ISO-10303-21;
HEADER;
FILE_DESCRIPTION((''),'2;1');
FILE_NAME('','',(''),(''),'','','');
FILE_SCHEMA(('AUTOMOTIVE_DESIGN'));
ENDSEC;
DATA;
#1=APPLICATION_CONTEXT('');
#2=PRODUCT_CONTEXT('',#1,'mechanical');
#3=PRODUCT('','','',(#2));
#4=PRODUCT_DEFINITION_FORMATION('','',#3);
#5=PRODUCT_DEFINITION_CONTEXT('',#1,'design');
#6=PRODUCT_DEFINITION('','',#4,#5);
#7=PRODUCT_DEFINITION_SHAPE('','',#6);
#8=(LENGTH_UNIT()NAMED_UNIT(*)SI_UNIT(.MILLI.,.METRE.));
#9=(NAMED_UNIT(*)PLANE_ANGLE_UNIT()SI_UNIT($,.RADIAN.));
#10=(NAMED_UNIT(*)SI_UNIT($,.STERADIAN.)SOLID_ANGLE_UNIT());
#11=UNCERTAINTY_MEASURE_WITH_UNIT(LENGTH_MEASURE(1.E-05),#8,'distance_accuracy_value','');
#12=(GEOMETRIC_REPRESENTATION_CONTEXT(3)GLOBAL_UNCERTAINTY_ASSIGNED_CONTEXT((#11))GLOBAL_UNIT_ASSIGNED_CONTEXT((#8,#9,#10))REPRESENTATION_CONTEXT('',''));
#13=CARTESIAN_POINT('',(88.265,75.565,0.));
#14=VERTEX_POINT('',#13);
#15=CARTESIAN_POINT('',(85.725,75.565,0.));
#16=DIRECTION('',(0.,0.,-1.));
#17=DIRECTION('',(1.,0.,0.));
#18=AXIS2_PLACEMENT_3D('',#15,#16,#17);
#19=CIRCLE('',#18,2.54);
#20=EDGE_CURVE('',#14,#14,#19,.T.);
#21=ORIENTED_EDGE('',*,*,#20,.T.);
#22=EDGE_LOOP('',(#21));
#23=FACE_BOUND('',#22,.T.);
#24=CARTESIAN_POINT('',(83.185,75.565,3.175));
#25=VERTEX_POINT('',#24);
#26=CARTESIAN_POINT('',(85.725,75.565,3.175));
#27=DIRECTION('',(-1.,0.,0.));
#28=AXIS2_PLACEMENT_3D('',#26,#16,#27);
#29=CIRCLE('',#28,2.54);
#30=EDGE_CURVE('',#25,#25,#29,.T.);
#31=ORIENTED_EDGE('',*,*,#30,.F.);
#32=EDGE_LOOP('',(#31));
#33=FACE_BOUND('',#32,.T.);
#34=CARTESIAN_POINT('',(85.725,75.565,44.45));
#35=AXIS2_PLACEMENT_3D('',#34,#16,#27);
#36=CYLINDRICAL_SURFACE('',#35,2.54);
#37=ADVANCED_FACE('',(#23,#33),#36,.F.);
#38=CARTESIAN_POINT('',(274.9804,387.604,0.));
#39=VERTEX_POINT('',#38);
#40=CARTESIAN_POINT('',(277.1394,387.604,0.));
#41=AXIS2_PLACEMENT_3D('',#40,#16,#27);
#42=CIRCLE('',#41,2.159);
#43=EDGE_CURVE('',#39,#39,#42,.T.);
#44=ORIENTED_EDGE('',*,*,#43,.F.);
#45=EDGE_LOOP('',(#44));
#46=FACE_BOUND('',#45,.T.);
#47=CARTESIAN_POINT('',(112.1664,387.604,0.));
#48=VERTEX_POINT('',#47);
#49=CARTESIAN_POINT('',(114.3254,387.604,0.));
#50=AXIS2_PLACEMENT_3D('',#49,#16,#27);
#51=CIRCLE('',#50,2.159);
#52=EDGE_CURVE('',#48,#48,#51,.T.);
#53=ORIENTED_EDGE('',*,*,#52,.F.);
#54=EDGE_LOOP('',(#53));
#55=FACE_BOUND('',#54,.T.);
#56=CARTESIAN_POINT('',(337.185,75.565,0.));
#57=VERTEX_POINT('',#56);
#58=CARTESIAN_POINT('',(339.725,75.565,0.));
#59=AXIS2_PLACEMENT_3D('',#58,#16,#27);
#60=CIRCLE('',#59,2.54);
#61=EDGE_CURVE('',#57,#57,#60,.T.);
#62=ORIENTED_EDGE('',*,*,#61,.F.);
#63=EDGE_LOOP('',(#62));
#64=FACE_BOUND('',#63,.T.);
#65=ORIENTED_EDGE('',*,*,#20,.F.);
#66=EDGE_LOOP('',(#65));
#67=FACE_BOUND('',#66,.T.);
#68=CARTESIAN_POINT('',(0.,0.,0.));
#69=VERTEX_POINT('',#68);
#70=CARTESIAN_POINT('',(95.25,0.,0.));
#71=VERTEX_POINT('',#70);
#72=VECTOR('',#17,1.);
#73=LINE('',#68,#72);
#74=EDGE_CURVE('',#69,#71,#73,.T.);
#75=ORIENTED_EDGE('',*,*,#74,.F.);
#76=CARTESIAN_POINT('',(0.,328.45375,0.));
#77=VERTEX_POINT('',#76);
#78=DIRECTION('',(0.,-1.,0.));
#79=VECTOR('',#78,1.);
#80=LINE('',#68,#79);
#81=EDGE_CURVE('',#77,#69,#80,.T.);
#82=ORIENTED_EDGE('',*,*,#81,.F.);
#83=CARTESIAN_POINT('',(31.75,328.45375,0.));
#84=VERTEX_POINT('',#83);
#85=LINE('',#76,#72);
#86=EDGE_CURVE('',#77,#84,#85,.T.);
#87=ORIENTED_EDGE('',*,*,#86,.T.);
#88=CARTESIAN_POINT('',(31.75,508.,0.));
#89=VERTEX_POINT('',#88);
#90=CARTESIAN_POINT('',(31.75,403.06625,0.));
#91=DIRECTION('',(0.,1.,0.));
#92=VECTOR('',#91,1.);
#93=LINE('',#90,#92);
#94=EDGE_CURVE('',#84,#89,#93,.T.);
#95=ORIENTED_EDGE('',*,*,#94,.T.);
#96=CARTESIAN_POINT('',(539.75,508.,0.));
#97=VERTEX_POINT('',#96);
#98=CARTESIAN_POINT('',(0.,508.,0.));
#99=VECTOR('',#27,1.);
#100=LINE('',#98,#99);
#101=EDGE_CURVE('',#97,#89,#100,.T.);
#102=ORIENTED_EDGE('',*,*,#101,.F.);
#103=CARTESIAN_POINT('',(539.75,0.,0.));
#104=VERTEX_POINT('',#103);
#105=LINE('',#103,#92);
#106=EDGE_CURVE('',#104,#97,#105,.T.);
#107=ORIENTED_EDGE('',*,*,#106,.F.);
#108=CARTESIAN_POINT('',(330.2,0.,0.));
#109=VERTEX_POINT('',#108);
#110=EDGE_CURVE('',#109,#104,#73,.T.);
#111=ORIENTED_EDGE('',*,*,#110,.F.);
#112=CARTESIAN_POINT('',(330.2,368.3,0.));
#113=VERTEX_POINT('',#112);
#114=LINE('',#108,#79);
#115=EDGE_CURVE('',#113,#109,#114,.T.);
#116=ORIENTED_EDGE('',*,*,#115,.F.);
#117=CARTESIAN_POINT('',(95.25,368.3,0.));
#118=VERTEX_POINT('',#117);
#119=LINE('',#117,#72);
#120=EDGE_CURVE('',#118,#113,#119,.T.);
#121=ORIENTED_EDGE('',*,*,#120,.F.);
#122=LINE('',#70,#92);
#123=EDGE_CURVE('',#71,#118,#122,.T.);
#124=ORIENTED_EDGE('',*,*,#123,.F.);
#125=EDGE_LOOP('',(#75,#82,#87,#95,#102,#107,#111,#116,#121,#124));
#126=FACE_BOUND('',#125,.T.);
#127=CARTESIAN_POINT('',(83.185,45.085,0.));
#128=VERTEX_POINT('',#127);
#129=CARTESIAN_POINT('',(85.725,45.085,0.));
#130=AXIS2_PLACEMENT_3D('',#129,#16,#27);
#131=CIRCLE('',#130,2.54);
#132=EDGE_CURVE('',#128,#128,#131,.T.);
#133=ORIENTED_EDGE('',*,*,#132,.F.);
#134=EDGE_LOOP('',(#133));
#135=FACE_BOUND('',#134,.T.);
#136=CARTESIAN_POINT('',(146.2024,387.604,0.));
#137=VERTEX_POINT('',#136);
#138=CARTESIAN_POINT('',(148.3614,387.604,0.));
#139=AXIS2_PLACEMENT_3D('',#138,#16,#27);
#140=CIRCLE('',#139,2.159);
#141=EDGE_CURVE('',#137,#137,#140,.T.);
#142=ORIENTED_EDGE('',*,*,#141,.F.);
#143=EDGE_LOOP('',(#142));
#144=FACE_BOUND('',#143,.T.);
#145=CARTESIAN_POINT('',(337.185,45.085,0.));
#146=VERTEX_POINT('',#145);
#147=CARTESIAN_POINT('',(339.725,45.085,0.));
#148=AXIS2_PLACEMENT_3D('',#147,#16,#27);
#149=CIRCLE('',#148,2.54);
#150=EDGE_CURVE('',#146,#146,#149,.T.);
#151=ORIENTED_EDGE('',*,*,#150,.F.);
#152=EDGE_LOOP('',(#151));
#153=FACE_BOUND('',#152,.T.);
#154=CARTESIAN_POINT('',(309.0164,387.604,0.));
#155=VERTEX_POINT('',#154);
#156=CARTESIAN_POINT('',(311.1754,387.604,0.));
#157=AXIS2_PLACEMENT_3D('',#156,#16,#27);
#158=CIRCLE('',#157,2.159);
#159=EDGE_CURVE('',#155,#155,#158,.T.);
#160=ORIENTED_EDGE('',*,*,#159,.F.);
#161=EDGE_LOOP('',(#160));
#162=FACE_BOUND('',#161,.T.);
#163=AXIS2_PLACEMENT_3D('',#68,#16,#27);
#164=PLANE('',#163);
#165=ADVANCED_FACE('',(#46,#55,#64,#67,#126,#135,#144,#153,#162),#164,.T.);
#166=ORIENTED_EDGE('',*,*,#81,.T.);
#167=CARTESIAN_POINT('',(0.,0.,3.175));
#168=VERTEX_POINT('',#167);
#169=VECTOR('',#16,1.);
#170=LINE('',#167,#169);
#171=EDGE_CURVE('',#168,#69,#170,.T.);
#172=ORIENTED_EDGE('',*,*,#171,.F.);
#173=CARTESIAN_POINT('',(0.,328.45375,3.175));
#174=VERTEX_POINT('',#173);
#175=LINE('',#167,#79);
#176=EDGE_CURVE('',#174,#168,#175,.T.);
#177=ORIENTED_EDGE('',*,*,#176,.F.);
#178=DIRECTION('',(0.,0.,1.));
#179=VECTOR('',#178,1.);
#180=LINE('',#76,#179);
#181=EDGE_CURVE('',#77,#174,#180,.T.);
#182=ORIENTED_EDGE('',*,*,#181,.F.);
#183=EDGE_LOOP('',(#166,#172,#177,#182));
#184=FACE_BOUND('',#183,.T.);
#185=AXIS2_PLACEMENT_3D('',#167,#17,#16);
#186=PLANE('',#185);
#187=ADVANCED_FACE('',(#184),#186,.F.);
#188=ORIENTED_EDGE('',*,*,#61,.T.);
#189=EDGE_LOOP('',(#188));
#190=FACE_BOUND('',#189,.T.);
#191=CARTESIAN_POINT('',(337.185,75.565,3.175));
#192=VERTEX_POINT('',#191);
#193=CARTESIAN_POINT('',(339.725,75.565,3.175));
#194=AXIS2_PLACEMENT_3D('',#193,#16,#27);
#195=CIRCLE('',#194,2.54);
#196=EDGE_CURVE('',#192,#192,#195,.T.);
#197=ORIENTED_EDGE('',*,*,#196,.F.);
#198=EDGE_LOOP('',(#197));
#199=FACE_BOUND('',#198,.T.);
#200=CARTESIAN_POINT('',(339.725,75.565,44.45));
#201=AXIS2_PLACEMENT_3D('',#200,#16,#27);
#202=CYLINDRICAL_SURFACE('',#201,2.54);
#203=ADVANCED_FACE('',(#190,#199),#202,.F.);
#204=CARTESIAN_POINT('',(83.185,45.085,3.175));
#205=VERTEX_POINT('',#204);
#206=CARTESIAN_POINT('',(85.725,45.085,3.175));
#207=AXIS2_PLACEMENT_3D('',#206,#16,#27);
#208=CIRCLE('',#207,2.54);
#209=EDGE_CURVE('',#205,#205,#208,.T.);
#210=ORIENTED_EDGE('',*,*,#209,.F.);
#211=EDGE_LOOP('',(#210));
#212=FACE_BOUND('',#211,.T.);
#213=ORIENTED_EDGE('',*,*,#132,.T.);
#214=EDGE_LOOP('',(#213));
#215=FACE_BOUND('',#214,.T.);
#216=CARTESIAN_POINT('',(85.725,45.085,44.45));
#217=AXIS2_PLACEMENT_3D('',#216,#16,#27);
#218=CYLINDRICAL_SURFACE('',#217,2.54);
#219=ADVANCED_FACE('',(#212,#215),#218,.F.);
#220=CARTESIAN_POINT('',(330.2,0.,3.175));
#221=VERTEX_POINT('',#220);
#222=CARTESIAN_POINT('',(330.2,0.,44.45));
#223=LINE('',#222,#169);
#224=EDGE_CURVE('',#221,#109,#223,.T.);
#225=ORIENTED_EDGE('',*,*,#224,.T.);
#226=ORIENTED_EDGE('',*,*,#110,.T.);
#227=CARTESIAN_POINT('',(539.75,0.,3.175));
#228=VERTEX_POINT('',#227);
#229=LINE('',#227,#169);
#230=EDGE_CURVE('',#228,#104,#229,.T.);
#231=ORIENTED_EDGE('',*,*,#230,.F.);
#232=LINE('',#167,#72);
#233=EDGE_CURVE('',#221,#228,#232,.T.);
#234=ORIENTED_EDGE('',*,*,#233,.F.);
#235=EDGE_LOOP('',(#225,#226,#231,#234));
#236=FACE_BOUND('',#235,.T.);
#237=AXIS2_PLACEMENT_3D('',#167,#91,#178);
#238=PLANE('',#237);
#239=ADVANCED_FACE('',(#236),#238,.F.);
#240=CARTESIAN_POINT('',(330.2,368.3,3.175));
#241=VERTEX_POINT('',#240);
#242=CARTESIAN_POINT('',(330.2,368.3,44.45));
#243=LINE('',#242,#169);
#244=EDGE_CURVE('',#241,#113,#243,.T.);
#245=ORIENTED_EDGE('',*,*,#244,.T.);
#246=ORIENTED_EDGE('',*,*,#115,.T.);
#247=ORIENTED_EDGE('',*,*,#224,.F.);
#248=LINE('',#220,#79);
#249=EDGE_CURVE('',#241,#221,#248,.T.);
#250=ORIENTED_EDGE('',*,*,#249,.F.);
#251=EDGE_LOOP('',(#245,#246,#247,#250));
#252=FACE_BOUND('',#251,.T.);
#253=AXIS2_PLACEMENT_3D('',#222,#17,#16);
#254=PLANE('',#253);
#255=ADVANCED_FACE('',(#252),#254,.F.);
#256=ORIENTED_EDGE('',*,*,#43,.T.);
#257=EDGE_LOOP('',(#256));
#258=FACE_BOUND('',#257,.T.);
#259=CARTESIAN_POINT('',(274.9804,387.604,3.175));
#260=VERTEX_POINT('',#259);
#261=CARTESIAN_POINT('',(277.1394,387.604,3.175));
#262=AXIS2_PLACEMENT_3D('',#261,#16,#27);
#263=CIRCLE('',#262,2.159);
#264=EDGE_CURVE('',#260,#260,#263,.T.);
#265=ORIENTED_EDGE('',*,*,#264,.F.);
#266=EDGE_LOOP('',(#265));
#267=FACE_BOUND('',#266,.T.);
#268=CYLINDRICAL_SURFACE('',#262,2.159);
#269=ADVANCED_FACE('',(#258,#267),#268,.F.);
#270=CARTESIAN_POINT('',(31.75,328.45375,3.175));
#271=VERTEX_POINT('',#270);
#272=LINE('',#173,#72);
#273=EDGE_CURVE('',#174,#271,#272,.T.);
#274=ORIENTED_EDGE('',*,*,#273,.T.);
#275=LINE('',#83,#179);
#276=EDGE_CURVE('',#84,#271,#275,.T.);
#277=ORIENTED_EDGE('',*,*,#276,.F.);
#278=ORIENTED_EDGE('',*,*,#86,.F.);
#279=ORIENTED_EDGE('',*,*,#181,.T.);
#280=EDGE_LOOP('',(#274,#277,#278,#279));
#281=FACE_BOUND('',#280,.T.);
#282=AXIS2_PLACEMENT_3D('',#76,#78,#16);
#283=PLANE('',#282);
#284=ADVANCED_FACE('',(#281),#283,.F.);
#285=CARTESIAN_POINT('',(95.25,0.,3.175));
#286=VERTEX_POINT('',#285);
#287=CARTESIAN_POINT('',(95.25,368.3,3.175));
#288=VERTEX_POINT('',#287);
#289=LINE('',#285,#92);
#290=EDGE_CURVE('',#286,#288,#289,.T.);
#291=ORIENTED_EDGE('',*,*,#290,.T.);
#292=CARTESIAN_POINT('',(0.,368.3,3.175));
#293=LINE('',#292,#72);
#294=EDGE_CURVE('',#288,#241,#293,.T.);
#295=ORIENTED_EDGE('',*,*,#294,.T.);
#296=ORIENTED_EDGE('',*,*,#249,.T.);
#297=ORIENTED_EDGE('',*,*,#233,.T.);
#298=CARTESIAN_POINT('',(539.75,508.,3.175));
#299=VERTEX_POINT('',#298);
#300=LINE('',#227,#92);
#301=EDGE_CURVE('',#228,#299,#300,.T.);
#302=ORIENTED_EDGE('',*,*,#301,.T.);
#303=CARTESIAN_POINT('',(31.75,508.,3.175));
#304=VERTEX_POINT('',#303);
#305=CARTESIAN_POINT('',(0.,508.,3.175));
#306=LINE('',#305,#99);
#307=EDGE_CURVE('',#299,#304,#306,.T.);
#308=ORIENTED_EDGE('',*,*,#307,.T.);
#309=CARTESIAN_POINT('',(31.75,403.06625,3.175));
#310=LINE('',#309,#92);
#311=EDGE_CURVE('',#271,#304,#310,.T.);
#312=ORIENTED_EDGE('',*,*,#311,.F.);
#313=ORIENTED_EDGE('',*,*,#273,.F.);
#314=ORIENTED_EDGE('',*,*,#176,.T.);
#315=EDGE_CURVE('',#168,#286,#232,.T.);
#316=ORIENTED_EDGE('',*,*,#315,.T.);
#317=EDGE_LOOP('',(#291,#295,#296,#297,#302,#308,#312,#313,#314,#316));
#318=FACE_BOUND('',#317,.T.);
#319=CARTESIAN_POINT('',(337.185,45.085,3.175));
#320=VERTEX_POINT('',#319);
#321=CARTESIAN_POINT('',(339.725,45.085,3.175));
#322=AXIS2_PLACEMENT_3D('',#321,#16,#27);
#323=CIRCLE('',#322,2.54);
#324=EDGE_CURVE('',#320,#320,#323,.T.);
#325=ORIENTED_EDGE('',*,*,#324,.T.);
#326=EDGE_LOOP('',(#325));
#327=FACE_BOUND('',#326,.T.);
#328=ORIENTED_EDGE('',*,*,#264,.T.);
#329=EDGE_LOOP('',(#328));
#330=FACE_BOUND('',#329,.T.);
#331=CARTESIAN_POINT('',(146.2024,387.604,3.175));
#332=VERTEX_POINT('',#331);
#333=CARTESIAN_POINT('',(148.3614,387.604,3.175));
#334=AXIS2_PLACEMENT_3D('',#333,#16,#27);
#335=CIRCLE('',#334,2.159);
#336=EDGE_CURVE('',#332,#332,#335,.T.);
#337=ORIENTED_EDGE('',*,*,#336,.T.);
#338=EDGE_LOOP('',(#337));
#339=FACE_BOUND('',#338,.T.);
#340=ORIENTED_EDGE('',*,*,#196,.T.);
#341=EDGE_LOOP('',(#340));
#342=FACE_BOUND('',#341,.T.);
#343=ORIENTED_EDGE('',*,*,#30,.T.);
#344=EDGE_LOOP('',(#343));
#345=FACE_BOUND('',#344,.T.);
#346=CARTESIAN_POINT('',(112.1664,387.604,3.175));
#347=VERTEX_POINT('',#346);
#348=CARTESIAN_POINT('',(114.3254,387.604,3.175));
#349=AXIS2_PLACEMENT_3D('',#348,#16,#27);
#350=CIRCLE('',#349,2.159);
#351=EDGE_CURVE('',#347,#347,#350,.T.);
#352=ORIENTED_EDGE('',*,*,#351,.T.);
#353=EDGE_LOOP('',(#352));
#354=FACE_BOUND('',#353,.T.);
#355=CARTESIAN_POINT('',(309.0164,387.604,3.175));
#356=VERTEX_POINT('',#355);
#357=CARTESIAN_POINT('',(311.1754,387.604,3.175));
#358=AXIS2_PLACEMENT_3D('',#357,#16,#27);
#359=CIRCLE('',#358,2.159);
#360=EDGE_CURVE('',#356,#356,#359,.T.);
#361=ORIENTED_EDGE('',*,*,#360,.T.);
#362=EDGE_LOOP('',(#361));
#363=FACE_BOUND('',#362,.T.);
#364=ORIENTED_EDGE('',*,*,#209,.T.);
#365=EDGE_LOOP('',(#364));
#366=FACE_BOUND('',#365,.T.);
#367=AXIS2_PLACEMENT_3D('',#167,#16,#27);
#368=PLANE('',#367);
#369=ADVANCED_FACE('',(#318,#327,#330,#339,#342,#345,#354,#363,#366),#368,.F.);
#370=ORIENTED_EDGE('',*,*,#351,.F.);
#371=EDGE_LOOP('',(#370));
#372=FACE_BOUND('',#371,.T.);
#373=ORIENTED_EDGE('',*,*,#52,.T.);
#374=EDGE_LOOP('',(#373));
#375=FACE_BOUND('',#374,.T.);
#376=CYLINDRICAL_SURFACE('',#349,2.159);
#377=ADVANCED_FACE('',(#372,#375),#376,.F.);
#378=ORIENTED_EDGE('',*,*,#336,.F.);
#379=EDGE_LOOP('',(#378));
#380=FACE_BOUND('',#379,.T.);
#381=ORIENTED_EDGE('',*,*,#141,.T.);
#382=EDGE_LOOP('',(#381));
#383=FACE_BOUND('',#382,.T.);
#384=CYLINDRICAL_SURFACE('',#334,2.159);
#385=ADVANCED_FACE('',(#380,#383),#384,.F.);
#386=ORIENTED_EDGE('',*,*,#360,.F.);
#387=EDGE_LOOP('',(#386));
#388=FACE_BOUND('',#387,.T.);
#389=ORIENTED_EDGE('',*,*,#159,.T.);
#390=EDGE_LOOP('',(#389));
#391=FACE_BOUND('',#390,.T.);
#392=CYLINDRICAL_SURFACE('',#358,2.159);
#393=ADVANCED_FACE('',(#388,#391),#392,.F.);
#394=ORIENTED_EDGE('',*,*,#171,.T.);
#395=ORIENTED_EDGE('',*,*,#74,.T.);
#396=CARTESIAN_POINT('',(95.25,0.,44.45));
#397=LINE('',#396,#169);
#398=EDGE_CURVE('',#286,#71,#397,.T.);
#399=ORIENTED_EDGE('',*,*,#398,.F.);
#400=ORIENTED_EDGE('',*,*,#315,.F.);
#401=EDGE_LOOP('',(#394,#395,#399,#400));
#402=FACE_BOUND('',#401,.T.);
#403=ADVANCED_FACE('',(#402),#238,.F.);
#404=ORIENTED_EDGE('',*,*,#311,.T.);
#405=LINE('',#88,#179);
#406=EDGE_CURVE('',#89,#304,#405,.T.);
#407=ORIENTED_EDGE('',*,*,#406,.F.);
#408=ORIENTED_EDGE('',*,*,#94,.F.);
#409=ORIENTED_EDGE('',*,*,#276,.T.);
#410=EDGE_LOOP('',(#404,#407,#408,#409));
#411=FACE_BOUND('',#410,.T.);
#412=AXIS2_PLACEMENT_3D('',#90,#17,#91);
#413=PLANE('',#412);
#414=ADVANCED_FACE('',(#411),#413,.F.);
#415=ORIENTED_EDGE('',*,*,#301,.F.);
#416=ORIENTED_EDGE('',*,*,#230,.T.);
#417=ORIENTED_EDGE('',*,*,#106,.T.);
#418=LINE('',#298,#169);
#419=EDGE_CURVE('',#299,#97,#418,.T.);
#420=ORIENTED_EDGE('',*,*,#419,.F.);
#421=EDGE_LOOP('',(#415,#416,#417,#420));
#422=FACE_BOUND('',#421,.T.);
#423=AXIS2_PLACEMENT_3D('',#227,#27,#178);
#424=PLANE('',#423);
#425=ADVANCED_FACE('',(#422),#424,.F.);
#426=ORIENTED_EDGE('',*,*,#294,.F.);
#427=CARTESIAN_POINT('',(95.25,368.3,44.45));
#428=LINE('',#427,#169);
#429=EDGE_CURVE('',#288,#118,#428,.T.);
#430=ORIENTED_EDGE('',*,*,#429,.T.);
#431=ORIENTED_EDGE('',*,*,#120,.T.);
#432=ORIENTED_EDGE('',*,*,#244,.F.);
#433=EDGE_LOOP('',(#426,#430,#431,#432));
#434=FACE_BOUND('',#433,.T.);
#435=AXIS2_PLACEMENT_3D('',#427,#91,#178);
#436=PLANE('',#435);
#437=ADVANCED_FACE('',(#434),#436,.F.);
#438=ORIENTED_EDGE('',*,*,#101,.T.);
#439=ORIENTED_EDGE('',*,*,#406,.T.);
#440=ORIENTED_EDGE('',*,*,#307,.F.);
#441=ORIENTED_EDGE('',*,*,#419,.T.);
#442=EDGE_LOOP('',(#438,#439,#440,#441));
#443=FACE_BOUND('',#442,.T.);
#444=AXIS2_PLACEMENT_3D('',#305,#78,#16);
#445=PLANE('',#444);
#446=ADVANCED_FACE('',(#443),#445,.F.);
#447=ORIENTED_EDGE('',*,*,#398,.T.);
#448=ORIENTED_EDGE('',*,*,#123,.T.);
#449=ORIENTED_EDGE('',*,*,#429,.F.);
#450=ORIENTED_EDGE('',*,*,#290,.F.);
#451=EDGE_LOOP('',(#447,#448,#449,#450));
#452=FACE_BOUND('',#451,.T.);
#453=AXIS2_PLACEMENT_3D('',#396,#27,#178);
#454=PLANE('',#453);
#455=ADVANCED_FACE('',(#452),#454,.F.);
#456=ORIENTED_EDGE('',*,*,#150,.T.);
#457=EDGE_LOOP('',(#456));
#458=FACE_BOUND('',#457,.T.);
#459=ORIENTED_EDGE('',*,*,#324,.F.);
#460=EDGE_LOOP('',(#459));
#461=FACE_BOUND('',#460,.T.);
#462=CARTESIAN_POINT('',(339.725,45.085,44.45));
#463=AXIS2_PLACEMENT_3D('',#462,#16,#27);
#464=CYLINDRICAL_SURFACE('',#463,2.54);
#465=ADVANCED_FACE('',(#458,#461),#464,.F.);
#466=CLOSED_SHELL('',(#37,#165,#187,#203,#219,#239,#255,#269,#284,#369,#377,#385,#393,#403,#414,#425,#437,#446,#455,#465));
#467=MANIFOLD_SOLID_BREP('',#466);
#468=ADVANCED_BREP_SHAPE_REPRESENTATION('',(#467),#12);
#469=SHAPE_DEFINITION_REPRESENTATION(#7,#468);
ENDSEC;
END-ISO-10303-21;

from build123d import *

# Parameters (mm, degrees)
SKETCH1_W           = 539.75
SKETCH1_H           = 508
BOSS_EXTRUDE1_DEPTH = 3.175
SKETCH2_R           = 2.54
SKETCH2_R_2         = 3.175
SKETCH2_W           = 234.95
SKETCH2_H           = 368.3
CUT_EXTRUDE1_DEPTH  = 44.45
SKETCH4_R           = 2.159
CUT_EXTRUDE3_DEPTH  = 742.218013222
CUT_EXTRUDE4_DEPTH  = 742.218013222


with BuildPart() as part:
    # Sketch1 → Boss-Extrude1 (new body)
    with BuildSketch(Plane.XY):
        with Locations((269.875, 254)):
            Rectangle(SKETCH1_W, SKETCH1_H)
    extrude(amount=BOSS_EXTRUDE1_DEPTH)

    # Sketch2 → Cut-Extrude1 (cut)
    with BuildSketch(Plane(origin=(0, 0, 0), x_dir=(-1, 0, 0), z_dir=(0, 0, -1))):
        with Locations((-339.725, 45.085)):
            Circle(SKETCH2_R)
        with Locations((-85.725, 45.085)):
            Circle(SKETCH2_R)
        with Locations((-15.24, 365.76)):
            Circle(SKETCH2_R_2)
        with Locations((-339.725, 75.565)):
            Circle(SKETCH2_R)
        with Locations((-85.725, 75.565)):
            Circle(SKETCH2_R)
        with Locations((-212.725, 184.15)):
            Rectangle(SKETCH2_W, SKETCH2_H)
    extrude(amount=-CUT_EXTRUDE1_DEPTH, mode=Mode.SUBTRACT)

    # Sketch4 → Cut-Extrude3 (cut, through all)
    with BuildSketch(Plane(origin=(0, 0, 0), x_dir=(-1, 0, 0), z_dir=(0, 0, -1))):
        with Locations((-311.1754, 387.604)):
            Circle(SKETCH4_R)
        with Locations((-277.1394, 387.604)):
            Circle(SKETCH4_R)
        with Locations((-148.3614, 387.604)):
            Circle(SKETCH4_R)
        with Locations((-114.3254, 387.604)):
            Circle(SKETCH4_R)
    extrude(amount=-CUT_EXTRUDE3_DEPTH, mode=Mode.SUBTRACT)

    # Sketch5 → Cut-Extrude4 (cut, through all)
    with BuildSketch(Plane.XY.offset(3.175)):
        Polygon((0, 403.06625), (0, 328.45375), (31.75, 328.45375), (31.75, 403.06625), (31.75, 508), (0, 508), align=None)
    extrude(amount=-CUT_EXTRUDE4_DEPTH, mode=Mode.SUBTRACT)


solid = part.part
